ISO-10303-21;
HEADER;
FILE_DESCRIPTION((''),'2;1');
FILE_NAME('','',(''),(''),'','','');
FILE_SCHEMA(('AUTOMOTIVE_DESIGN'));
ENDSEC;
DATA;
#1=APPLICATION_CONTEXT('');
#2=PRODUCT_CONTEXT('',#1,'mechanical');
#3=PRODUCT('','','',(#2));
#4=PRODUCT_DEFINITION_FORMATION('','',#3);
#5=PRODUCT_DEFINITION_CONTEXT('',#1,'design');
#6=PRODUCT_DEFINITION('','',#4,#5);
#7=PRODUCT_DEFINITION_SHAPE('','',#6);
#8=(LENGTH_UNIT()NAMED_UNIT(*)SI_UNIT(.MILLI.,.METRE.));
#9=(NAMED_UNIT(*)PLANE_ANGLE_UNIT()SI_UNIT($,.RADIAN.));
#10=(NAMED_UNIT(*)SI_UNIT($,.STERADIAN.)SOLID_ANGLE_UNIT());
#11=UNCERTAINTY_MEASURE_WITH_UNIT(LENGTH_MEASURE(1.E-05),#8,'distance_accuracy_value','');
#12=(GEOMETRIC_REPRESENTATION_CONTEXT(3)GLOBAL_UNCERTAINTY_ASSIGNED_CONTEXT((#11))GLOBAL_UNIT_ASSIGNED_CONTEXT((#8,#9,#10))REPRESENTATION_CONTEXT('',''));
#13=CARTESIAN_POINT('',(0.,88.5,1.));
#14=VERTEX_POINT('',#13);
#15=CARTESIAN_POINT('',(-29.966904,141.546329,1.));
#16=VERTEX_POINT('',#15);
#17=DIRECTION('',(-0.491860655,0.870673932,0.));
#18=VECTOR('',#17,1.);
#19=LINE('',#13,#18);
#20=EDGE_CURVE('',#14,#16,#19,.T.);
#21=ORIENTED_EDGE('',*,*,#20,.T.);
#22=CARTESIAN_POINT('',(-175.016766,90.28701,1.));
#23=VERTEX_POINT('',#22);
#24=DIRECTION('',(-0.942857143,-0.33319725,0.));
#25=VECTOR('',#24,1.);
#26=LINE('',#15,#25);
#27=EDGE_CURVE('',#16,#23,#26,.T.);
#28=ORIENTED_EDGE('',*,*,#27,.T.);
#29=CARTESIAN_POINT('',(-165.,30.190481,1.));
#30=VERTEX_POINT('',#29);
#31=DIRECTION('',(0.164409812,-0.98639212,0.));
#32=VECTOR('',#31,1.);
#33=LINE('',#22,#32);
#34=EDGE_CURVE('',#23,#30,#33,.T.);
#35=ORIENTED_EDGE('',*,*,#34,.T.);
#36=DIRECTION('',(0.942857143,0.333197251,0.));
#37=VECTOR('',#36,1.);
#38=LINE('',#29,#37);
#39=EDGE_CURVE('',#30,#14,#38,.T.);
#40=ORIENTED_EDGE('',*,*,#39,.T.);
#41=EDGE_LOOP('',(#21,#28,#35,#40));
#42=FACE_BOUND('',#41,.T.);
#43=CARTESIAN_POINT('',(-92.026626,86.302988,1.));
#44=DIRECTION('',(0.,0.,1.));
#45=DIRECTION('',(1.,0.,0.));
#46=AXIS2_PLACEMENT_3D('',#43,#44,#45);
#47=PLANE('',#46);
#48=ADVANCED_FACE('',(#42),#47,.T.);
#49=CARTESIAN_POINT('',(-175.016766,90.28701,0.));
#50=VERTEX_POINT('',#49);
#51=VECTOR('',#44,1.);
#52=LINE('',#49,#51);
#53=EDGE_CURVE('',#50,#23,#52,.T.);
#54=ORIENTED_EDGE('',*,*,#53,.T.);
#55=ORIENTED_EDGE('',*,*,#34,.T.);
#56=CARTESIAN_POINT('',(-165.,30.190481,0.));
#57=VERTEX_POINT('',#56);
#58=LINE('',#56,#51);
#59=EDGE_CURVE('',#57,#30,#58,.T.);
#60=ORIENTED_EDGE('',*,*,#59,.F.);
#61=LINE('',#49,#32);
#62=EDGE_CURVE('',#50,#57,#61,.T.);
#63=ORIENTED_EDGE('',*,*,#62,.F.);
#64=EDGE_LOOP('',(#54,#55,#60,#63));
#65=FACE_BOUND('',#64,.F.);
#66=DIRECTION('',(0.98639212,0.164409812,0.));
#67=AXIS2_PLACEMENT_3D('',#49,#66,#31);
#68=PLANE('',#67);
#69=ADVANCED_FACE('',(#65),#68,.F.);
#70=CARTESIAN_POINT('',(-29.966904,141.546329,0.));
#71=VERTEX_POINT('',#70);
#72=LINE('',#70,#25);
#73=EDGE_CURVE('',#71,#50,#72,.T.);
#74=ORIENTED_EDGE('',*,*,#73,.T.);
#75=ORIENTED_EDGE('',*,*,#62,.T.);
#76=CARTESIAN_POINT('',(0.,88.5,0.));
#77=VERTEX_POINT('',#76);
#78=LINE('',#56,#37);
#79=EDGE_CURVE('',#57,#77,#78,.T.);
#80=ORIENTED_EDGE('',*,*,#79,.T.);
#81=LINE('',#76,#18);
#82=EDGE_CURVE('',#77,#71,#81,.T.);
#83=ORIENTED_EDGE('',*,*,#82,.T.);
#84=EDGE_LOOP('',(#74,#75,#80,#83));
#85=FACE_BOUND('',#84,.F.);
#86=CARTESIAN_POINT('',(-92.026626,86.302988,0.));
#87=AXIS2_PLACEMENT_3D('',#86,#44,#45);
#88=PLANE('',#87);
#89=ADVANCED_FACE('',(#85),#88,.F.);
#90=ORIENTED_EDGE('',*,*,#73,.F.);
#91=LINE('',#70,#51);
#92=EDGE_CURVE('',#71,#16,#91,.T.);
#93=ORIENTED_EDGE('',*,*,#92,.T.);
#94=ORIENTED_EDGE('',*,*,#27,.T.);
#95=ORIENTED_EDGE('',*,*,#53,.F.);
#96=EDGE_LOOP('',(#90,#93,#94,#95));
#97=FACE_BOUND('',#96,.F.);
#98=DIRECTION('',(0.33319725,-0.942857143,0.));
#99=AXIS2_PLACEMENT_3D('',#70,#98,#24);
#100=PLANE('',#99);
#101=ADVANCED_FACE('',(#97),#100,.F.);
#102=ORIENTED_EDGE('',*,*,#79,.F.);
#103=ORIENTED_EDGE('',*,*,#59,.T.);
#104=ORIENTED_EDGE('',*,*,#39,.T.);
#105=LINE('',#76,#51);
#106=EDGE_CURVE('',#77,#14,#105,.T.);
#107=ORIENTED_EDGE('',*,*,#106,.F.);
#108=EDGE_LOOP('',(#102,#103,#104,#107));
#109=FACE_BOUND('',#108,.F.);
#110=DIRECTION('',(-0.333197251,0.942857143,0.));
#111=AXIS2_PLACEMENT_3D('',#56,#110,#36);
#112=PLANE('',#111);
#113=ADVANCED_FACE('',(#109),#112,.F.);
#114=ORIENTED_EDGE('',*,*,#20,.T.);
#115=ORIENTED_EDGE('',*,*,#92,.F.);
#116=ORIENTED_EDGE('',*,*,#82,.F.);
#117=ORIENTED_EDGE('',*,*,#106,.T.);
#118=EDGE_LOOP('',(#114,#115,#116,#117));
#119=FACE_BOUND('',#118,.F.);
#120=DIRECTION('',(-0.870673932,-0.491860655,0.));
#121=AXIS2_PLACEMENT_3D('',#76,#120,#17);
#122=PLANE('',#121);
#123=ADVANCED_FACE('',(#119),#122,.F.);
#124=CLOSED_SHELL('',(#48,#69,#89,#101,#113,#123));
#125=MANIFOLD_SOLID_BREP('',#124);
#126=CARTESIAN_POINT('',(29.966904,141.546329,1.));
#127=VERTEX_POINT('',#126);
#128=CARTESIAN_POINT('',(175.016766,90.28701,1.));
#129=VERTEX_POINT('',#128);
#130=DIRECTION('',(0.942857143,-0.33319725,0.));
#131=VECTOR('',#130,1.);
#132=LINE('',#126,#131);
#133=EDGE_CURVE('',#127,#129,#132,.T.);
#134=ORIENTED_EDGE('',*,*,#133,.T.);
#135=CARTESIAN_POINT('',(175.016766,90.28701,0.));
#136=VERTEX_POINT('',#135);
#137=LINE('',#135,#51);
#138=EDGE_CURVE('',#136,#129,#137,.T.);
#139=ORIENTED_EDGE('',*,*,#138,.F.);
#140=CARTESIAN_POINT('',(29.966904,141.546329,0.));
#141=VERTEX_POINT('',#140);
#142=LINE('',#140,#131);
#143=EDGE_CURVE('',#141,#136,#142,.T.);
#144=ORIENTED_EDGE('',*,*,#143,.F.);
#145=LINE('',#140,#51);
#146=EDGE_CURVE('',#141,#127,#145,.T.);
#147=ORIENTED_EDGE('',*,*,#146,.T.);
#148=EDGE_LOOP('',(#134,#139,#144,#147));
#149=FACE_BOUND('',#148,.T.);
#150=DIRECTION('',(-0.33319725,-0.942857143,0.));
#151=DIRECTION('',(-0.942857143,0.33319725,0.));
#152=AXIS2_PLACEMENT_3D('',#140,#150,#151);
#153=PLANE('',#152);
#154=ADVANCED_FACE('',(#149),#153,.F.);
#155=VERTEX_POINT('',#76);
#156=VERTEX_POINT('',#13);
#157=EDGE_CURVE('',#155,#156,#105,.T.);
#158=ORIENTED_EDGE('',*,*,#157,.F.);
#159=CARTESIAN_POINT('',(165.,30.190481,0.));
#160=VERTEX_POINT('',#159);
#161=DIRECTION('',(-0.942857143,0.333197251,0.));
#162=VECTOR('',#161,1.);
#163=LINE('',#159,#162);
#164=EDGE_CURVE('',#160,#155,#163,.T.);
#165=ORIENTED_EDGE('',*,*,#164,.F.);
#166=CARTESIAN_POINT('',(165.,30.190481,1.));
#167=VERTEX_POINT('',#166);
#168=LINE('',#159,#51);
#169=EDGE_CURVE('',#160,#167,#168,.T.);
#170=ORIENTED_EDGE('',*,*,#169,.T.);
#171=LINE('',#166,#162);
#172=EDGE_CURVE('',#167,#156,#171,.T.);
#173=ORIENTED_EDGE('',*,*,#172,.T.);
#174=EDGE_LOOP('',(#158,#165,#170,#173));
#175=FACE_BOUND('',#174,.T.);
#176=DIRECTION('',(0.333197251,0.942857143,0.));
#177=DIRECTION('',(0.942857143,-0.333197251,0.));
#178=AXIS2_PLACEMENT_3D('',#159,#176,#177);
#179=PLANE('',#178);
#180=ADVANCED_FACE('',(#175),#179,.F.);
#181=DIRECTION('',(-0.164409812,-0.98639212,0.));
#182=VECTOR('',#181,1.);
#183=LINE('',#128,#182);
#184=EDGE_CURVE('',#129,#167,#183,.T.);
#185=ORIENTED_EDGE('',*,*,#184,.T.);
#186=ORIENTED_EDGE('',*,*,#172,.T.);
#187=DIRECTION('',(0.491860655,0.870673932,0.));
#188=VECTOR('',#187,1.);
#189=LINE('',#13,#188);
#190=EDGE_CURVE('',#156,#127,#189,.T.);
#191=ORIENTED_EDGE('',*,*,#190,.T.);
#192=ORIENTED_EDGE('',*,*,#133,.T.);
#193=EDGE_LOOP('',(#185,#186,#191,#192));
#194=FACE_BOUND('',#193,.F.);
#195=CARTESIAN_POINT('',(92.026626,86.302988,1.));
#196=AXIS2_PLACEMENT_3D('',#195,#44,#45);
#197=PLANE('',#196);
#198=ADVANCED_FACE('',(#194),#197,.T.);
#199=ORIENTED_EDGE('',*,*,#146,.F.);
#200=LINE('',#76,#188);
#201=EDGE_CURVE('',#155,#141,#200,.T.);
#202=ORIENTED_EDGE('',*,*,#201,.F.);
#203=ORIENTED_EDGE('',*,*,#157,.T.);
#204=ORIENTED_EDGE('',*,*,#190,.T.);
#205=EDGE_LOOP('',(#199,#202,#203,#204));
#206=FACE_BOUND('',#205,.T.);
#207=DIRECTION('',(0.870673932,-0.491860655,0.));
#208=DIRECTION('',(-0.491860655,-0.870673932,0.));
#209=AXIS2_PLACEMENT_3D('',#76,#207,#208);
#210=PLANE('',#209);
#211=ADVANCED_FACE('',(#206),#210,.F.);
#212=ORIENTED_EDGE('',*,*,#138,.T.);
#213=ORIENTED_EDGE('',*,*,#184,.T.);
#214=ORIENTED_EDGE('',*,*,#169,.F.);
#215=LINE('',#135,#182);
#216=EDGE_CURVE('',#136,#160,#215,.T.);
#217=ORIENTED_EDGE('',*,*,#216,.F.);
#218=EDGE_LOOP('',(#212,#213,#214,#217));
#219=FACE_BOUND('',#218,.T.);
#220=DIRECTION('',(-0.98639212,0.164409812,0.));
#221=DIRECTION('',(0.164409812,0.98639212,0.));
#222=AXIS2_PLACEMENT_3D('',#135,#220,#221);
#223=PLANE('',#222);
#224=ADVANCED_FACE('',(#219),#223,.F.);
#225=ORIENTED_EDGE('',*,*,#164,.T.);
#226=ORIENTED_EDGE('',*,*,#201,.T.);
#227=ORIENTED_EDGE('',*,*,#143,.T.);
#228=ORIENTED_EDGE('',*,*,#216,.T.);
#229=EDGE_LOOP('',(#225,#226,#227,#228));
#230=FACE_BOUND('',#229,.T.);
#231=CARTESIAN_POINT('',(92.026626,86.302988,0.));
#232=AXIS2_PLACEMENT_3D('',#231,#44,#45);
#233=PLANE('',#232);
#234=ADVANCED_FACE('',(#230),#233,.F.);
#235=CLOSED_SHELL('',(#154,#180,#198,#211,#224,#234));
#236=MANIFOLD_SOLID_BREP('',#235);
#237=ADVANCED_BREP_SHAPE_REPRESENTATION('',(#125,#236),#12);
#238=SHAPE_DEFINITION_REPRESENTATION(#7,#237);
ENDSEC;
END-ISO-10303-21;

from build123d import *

# Parameters (mm, degrees)
F2_DEPTH = 1


with BuildPart() as f2:
    # F1 (on Top) → F2 (new body)
    with BuildSketch(Plane.XY):
        Polygon((-175.016766, 90.28701), (-165, 30.190481), (0, 88.5), (-29.966904, 141.546329), align=None)
    extrude(amount=F2_DEPTH)


with BuildPart() as f3_1:
    # F3: instance of F2
    add(f2.part.mirror(Plane.YZ))


solid = Compound([f2.part, f3_1.part])
